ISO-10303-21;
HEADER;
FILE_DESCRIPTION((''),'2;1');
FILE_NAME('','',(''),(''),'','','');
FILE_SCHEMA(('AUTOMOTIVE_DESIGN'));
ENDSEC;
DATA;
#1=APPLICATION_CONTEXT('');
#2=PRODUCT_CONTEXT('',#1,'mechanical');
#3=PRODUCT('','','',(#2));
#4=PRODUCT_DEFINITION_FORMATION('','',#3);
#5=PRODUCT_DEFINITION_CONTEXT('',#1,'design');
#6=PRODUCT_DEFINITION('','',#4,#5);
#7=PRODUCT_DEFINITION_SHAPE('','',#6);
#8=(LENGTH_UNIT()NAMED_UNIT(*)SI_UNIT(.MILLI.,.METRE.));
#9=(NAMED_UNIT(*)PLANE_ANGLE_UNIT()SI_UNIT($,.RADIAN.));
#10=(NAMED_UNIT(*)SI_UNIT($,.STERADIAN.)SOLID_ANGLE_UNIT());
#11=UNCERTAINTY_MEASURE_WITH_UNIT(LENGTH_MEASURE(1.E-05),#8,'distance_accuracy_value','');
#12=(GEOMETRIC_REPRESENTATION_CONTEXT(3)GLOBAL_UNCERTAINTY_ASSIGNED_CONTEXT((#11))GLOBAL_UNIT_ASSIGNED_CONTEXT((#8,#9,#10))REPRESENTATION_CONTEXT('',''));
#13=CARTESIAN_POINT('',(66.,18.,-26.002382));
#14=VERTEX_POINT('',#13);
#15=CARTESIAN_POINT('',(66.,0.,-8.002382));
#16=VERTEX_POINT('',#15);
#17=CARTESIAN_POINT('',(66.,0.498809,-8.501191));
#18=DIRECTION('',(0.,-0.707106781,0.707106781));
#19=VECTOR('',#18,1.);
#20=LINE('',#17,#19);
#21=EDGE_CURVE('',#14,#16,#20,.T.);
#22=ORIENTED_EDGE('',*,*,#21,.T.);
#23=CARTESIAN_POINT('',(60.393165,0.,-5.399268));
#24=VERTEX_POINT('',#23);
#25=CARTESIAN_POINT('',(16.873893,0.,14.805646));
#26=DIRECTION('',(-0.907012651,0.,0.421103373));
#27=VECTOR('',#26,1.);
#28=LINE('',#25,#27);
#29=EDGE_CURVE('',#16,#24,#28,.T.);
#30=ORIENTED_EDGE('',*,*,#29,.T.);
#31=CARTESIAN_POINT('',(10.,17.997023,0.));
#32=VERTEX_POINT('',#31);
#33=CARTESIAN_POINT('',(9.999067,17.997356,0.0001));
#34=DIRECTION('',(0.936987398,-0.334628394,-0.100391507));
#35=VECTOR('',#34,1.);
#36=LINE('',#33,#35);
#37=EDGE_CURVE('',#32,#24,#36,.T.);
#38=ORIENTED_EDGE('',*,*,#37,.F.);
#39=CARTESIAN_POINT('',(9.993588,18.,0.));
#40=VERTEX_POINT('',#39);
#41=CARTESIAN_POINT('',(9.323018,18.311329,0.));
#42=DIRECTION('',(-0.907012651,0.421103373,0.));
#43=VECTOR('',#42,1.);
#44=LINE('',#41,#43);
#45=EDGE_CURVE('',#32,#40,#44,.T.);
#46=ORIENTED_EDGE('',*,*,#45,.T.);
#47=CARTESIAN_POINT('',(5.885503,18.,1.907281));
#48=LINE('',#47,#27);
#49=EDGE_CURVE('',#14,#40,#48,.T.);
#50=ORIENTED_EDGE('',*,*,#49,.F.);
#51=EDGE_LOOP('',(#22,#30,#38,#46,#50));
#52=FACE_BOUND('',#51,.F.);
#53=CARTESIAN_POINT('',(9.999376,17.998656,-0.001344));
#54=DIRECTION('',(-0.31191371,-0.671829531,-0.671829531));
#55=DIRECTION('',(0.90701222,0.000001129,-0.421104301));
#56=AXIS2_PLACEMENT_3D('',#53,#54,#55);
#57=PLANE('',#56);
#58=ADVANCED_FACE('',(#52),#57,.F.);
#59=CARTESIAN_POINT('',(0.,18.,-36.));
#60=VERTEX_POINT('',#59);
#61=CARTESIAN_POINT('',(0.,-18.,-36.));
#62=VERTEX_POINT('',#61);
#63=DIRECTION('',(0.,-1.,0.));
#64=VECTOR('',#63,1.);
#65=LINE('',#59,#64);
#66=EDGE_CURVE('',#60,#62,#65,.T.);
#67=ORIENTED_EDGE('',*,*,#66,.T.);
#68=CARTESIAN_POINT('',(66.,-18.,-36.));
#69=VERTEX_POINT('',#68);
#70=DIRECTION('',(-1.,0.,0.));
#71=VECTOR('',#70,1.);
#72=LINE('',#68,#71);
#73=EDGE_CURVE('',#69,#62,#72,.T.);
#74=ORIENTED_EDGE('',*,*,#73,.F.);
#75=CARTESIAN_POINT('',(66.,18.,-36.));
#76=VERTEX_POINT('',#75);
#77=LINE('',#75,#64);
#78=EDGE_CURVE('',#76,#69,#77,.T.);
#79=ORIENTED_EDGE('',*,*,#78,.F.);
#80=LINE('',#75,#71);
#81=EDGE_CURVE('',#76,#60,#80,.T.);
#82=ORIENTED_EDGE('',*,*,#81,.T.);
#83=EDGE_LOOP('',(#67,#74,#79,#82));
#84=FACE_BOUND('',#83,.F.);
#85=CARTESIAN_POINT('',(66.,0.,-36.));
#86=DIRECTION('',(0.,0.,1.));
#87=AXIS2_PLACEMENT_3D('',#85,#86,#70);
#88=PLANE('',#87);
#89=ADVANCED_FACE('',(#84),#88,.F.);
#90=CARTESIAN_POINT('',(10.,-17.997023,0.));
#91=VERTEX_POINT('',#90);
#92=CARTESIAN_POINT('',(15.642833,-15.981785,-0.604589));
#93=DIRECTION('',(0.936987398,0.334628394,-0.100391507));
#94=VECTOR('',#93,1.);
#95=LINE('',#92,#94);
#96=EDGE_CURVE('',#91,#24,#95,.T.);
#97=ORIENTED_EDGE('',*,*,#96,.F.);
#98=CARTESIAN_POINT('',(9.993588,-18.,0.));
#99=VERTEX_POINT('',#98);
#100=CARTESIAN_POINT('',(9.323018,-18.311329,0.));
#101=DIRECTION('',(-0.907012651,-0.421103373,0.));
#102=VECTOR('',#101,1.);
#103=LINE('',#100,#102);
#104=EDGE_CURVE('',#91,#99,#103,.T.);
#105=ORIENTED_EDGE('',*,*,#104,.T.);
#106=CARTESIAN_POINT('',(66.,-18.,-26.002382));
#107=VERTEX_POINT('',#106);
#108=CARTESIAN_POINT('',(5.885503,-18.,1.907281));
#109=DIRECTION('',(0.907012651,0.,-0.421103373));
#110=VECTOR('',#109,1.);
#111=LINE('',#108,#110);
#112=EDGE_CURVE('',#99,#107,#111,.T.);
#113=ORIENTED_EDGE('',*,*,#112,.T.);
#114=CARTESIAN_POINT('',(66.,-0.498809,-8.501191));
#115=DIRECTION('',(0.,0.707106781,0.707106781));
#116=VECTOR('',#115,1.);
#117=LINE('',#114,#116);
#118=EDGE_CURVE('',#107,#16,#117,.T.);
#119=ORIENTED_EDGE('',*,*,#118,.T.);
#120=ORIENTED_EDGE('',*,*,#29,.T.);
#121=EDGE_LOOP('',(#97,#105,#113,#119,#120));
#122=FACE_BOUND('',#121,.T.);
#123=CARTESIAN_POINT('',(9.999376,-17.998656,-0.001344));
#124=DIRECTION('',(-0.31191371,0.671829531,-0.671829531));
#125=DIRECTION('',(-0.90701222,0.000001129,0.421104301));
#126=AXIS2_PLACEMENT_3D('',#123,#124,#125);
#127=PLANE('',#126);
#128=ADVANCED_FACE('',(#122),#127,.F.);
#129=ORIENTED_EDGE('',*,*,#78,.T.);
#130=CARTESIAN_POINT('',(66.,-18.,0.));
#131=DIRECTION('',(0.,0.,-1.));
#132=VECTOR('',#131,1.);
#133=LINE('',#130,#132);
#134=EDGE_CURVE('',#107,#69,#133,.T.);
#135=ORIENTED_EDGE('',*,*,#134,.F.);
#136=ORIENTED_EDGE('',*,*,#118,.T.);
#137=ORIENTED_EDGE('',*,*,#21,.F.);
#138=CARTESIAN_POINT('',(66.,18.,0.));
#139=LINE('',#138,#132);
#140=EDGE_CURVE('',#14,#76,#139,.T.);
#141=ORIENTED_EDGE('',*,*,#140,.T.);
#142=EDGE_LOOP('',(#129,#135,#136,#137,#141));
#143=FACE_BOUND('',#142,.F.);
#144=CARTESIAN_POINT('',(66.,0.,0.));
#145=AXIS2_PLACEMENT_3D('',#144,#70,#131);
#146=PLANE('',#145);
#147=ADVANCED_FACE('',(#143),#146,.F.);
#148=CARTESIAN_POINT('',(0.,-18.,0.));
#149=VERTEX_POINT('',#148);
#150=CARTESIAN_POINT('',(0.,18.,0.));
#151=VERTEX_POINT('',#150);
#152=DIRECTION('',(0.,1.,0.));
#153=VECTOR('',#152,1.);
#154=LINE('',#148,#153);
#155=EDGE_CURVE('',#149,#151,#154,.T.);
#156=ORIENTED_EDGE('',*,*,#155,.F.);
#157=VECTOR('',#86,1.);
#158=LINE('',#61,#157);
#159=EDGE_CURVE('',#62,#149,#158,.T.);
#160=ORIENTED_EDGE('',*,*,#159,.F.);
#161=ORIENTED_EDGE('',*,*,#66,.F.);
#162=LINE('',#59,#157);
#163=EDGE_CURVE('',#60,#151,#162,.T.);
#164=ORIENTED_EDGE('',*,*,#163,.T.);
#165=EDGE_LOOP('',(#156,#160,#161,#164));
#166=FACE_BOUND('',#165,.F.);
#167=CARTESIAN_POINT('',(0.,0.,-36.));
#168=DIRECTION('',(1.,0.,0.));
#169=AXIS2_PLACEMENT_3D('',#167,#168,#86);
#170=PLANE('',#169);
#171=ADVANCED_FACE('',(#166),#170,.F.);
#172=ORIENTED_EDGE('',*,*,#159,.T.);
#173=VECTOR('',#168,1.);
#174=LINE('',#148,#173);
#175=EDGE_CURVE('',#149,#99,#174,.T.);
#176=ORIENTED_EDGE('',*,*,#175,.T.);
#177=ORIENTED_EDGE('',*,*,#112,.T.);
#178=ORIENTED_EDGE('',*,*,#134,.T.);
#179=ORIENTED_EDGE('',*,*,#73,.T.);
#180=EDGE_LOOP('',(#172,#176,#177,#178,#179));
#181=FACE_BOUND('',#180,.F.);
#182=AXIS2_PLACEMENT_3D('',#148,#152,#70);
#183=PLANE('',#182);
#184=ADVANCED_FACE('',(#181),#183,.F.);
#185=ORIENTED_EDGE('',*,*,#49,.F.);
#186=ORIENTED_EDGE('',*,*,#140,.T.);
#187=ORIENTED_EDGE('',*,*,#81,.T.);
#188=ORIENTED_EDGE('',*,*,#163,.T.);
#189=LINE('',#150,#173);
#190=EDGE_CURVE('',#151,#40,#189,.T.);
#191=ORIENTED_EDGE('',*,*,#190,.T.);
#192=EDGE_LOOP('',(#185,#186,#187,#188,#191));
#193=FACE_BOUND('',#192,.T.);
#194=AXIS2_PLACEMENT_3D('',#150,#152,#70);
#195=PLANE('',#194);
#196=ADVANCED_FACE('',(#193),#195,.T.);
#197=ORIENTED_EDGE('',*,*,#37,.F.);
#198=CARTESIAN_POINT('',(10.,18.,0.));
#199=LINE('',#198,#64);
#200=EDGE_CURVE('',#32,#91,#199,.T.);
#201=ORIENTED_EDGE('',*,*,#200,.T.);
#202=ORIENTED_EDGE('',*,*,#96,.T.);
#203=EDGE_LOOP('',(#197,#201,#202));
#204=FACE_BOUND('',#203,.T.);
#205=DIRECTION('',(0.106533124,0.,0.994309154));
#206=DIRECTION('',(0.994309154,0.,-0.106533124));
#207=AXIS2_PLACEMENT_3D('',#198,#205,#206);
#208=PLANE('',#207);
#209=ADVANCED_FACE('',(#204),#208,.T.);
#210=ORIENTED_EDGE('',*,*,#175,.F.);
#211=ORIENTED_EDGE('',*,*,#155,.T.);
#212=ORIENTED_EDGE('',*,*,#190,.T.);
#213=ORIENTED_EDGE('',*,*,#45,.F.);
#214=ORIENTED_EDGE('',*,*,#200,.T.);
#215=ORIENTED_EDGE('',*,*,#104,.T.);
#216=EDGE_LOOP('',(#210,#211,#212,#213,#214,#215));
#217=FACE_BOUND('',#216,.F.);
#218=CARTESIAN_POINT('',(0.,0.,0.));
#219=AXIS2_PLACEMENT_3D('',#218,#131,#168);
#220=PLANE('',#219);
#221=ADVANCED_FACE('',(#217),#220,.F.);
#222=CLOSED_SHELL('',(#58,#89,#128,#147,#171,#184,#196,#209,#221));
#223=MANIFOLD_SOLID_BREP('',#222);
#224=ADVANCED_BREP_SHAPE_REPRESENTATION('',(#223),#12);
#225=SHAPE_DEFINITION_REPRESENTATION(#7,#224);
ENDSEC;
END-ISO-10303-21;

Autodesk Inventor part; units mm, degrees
ref_plane "YZ Plane" through (0, 0, 0) normal (1, 0, 0) x (0, 1, 0)
ref_plane "XZ Plane" through (0, 0, 0) normal (0, 1, 0) x (-1, 0, 0)
sketch "草圖1" plane through (0, 0, 0) normal (0, 1, 0) x (-1, 0, 0)
  line L0 (0, 0) -> (-66, 0)
  line L1 (-66, 0) -> (-66, -36)
  line L2 (-66, -36) -> (0, -36)
  line L3 (0, -36) -> (0, 0)
  dimension "d0" = 66
  dimension "d1" = 36
extrude "擠出1" add sketch "草圖1" along normal mid plane 36
sketch "草圖2" plane through (0, 18, 0) normal (0, 1, 0) x (1, 0, 0)
  line L0 (0, 0) -> (66, 0) projected
  line L1 (10, 0) -> (66, 6)
  line L2 (66, 0) -> (66, 36) projected
  dimension "d4" = 10
  dimension "d5" = 30
extrude "擠出2" cut sketch "草圖2" against normal blind 40
sketch "草圖3" plane through (66, -18, -36) normal (1, 0, 0) x (0, 0, -1)
  line L0 (-30, 16) -> (-10, 36)
  line L1 (0, 36) -> (-36, 36) projected
  line L2 (-30, 36) -> (-30, 0) projected
  point P0 (-36, 18)
  dimension "d8" = 20
  dimension "d9" = 20
ref_plane "工作平面1" through (10, 18, 0) normal (-0.3119, -0.6718, -0.6718) x (0.907, 0, -0.4211)
sketch "草圖4" plane through (10, 18, 0) normal (-0.3119, -0.6718, -0.6718) x (0.907, 0, -0.4211)
  line L0 (-15.1543, -12.3218) -> (93.717, -12.3218)
  line L1 (93.717, -12.3218) -> (93.717, 28.8166)
  line L2 (93.717, 28.8166) -> (-15.1543, 28.8166)
  line L3 (-15.1543, 28.8166) -> (-15.1543, -12.3218)
  point P0 (-9.0701, 10.5036)
extrude "擠出3" cut sketch "草圖4" against normal blind 40
mirror "鏡射1" about plane through (0, 0, 0) normal (0, 1, 0) of "擠出3"
properties part number "5"
